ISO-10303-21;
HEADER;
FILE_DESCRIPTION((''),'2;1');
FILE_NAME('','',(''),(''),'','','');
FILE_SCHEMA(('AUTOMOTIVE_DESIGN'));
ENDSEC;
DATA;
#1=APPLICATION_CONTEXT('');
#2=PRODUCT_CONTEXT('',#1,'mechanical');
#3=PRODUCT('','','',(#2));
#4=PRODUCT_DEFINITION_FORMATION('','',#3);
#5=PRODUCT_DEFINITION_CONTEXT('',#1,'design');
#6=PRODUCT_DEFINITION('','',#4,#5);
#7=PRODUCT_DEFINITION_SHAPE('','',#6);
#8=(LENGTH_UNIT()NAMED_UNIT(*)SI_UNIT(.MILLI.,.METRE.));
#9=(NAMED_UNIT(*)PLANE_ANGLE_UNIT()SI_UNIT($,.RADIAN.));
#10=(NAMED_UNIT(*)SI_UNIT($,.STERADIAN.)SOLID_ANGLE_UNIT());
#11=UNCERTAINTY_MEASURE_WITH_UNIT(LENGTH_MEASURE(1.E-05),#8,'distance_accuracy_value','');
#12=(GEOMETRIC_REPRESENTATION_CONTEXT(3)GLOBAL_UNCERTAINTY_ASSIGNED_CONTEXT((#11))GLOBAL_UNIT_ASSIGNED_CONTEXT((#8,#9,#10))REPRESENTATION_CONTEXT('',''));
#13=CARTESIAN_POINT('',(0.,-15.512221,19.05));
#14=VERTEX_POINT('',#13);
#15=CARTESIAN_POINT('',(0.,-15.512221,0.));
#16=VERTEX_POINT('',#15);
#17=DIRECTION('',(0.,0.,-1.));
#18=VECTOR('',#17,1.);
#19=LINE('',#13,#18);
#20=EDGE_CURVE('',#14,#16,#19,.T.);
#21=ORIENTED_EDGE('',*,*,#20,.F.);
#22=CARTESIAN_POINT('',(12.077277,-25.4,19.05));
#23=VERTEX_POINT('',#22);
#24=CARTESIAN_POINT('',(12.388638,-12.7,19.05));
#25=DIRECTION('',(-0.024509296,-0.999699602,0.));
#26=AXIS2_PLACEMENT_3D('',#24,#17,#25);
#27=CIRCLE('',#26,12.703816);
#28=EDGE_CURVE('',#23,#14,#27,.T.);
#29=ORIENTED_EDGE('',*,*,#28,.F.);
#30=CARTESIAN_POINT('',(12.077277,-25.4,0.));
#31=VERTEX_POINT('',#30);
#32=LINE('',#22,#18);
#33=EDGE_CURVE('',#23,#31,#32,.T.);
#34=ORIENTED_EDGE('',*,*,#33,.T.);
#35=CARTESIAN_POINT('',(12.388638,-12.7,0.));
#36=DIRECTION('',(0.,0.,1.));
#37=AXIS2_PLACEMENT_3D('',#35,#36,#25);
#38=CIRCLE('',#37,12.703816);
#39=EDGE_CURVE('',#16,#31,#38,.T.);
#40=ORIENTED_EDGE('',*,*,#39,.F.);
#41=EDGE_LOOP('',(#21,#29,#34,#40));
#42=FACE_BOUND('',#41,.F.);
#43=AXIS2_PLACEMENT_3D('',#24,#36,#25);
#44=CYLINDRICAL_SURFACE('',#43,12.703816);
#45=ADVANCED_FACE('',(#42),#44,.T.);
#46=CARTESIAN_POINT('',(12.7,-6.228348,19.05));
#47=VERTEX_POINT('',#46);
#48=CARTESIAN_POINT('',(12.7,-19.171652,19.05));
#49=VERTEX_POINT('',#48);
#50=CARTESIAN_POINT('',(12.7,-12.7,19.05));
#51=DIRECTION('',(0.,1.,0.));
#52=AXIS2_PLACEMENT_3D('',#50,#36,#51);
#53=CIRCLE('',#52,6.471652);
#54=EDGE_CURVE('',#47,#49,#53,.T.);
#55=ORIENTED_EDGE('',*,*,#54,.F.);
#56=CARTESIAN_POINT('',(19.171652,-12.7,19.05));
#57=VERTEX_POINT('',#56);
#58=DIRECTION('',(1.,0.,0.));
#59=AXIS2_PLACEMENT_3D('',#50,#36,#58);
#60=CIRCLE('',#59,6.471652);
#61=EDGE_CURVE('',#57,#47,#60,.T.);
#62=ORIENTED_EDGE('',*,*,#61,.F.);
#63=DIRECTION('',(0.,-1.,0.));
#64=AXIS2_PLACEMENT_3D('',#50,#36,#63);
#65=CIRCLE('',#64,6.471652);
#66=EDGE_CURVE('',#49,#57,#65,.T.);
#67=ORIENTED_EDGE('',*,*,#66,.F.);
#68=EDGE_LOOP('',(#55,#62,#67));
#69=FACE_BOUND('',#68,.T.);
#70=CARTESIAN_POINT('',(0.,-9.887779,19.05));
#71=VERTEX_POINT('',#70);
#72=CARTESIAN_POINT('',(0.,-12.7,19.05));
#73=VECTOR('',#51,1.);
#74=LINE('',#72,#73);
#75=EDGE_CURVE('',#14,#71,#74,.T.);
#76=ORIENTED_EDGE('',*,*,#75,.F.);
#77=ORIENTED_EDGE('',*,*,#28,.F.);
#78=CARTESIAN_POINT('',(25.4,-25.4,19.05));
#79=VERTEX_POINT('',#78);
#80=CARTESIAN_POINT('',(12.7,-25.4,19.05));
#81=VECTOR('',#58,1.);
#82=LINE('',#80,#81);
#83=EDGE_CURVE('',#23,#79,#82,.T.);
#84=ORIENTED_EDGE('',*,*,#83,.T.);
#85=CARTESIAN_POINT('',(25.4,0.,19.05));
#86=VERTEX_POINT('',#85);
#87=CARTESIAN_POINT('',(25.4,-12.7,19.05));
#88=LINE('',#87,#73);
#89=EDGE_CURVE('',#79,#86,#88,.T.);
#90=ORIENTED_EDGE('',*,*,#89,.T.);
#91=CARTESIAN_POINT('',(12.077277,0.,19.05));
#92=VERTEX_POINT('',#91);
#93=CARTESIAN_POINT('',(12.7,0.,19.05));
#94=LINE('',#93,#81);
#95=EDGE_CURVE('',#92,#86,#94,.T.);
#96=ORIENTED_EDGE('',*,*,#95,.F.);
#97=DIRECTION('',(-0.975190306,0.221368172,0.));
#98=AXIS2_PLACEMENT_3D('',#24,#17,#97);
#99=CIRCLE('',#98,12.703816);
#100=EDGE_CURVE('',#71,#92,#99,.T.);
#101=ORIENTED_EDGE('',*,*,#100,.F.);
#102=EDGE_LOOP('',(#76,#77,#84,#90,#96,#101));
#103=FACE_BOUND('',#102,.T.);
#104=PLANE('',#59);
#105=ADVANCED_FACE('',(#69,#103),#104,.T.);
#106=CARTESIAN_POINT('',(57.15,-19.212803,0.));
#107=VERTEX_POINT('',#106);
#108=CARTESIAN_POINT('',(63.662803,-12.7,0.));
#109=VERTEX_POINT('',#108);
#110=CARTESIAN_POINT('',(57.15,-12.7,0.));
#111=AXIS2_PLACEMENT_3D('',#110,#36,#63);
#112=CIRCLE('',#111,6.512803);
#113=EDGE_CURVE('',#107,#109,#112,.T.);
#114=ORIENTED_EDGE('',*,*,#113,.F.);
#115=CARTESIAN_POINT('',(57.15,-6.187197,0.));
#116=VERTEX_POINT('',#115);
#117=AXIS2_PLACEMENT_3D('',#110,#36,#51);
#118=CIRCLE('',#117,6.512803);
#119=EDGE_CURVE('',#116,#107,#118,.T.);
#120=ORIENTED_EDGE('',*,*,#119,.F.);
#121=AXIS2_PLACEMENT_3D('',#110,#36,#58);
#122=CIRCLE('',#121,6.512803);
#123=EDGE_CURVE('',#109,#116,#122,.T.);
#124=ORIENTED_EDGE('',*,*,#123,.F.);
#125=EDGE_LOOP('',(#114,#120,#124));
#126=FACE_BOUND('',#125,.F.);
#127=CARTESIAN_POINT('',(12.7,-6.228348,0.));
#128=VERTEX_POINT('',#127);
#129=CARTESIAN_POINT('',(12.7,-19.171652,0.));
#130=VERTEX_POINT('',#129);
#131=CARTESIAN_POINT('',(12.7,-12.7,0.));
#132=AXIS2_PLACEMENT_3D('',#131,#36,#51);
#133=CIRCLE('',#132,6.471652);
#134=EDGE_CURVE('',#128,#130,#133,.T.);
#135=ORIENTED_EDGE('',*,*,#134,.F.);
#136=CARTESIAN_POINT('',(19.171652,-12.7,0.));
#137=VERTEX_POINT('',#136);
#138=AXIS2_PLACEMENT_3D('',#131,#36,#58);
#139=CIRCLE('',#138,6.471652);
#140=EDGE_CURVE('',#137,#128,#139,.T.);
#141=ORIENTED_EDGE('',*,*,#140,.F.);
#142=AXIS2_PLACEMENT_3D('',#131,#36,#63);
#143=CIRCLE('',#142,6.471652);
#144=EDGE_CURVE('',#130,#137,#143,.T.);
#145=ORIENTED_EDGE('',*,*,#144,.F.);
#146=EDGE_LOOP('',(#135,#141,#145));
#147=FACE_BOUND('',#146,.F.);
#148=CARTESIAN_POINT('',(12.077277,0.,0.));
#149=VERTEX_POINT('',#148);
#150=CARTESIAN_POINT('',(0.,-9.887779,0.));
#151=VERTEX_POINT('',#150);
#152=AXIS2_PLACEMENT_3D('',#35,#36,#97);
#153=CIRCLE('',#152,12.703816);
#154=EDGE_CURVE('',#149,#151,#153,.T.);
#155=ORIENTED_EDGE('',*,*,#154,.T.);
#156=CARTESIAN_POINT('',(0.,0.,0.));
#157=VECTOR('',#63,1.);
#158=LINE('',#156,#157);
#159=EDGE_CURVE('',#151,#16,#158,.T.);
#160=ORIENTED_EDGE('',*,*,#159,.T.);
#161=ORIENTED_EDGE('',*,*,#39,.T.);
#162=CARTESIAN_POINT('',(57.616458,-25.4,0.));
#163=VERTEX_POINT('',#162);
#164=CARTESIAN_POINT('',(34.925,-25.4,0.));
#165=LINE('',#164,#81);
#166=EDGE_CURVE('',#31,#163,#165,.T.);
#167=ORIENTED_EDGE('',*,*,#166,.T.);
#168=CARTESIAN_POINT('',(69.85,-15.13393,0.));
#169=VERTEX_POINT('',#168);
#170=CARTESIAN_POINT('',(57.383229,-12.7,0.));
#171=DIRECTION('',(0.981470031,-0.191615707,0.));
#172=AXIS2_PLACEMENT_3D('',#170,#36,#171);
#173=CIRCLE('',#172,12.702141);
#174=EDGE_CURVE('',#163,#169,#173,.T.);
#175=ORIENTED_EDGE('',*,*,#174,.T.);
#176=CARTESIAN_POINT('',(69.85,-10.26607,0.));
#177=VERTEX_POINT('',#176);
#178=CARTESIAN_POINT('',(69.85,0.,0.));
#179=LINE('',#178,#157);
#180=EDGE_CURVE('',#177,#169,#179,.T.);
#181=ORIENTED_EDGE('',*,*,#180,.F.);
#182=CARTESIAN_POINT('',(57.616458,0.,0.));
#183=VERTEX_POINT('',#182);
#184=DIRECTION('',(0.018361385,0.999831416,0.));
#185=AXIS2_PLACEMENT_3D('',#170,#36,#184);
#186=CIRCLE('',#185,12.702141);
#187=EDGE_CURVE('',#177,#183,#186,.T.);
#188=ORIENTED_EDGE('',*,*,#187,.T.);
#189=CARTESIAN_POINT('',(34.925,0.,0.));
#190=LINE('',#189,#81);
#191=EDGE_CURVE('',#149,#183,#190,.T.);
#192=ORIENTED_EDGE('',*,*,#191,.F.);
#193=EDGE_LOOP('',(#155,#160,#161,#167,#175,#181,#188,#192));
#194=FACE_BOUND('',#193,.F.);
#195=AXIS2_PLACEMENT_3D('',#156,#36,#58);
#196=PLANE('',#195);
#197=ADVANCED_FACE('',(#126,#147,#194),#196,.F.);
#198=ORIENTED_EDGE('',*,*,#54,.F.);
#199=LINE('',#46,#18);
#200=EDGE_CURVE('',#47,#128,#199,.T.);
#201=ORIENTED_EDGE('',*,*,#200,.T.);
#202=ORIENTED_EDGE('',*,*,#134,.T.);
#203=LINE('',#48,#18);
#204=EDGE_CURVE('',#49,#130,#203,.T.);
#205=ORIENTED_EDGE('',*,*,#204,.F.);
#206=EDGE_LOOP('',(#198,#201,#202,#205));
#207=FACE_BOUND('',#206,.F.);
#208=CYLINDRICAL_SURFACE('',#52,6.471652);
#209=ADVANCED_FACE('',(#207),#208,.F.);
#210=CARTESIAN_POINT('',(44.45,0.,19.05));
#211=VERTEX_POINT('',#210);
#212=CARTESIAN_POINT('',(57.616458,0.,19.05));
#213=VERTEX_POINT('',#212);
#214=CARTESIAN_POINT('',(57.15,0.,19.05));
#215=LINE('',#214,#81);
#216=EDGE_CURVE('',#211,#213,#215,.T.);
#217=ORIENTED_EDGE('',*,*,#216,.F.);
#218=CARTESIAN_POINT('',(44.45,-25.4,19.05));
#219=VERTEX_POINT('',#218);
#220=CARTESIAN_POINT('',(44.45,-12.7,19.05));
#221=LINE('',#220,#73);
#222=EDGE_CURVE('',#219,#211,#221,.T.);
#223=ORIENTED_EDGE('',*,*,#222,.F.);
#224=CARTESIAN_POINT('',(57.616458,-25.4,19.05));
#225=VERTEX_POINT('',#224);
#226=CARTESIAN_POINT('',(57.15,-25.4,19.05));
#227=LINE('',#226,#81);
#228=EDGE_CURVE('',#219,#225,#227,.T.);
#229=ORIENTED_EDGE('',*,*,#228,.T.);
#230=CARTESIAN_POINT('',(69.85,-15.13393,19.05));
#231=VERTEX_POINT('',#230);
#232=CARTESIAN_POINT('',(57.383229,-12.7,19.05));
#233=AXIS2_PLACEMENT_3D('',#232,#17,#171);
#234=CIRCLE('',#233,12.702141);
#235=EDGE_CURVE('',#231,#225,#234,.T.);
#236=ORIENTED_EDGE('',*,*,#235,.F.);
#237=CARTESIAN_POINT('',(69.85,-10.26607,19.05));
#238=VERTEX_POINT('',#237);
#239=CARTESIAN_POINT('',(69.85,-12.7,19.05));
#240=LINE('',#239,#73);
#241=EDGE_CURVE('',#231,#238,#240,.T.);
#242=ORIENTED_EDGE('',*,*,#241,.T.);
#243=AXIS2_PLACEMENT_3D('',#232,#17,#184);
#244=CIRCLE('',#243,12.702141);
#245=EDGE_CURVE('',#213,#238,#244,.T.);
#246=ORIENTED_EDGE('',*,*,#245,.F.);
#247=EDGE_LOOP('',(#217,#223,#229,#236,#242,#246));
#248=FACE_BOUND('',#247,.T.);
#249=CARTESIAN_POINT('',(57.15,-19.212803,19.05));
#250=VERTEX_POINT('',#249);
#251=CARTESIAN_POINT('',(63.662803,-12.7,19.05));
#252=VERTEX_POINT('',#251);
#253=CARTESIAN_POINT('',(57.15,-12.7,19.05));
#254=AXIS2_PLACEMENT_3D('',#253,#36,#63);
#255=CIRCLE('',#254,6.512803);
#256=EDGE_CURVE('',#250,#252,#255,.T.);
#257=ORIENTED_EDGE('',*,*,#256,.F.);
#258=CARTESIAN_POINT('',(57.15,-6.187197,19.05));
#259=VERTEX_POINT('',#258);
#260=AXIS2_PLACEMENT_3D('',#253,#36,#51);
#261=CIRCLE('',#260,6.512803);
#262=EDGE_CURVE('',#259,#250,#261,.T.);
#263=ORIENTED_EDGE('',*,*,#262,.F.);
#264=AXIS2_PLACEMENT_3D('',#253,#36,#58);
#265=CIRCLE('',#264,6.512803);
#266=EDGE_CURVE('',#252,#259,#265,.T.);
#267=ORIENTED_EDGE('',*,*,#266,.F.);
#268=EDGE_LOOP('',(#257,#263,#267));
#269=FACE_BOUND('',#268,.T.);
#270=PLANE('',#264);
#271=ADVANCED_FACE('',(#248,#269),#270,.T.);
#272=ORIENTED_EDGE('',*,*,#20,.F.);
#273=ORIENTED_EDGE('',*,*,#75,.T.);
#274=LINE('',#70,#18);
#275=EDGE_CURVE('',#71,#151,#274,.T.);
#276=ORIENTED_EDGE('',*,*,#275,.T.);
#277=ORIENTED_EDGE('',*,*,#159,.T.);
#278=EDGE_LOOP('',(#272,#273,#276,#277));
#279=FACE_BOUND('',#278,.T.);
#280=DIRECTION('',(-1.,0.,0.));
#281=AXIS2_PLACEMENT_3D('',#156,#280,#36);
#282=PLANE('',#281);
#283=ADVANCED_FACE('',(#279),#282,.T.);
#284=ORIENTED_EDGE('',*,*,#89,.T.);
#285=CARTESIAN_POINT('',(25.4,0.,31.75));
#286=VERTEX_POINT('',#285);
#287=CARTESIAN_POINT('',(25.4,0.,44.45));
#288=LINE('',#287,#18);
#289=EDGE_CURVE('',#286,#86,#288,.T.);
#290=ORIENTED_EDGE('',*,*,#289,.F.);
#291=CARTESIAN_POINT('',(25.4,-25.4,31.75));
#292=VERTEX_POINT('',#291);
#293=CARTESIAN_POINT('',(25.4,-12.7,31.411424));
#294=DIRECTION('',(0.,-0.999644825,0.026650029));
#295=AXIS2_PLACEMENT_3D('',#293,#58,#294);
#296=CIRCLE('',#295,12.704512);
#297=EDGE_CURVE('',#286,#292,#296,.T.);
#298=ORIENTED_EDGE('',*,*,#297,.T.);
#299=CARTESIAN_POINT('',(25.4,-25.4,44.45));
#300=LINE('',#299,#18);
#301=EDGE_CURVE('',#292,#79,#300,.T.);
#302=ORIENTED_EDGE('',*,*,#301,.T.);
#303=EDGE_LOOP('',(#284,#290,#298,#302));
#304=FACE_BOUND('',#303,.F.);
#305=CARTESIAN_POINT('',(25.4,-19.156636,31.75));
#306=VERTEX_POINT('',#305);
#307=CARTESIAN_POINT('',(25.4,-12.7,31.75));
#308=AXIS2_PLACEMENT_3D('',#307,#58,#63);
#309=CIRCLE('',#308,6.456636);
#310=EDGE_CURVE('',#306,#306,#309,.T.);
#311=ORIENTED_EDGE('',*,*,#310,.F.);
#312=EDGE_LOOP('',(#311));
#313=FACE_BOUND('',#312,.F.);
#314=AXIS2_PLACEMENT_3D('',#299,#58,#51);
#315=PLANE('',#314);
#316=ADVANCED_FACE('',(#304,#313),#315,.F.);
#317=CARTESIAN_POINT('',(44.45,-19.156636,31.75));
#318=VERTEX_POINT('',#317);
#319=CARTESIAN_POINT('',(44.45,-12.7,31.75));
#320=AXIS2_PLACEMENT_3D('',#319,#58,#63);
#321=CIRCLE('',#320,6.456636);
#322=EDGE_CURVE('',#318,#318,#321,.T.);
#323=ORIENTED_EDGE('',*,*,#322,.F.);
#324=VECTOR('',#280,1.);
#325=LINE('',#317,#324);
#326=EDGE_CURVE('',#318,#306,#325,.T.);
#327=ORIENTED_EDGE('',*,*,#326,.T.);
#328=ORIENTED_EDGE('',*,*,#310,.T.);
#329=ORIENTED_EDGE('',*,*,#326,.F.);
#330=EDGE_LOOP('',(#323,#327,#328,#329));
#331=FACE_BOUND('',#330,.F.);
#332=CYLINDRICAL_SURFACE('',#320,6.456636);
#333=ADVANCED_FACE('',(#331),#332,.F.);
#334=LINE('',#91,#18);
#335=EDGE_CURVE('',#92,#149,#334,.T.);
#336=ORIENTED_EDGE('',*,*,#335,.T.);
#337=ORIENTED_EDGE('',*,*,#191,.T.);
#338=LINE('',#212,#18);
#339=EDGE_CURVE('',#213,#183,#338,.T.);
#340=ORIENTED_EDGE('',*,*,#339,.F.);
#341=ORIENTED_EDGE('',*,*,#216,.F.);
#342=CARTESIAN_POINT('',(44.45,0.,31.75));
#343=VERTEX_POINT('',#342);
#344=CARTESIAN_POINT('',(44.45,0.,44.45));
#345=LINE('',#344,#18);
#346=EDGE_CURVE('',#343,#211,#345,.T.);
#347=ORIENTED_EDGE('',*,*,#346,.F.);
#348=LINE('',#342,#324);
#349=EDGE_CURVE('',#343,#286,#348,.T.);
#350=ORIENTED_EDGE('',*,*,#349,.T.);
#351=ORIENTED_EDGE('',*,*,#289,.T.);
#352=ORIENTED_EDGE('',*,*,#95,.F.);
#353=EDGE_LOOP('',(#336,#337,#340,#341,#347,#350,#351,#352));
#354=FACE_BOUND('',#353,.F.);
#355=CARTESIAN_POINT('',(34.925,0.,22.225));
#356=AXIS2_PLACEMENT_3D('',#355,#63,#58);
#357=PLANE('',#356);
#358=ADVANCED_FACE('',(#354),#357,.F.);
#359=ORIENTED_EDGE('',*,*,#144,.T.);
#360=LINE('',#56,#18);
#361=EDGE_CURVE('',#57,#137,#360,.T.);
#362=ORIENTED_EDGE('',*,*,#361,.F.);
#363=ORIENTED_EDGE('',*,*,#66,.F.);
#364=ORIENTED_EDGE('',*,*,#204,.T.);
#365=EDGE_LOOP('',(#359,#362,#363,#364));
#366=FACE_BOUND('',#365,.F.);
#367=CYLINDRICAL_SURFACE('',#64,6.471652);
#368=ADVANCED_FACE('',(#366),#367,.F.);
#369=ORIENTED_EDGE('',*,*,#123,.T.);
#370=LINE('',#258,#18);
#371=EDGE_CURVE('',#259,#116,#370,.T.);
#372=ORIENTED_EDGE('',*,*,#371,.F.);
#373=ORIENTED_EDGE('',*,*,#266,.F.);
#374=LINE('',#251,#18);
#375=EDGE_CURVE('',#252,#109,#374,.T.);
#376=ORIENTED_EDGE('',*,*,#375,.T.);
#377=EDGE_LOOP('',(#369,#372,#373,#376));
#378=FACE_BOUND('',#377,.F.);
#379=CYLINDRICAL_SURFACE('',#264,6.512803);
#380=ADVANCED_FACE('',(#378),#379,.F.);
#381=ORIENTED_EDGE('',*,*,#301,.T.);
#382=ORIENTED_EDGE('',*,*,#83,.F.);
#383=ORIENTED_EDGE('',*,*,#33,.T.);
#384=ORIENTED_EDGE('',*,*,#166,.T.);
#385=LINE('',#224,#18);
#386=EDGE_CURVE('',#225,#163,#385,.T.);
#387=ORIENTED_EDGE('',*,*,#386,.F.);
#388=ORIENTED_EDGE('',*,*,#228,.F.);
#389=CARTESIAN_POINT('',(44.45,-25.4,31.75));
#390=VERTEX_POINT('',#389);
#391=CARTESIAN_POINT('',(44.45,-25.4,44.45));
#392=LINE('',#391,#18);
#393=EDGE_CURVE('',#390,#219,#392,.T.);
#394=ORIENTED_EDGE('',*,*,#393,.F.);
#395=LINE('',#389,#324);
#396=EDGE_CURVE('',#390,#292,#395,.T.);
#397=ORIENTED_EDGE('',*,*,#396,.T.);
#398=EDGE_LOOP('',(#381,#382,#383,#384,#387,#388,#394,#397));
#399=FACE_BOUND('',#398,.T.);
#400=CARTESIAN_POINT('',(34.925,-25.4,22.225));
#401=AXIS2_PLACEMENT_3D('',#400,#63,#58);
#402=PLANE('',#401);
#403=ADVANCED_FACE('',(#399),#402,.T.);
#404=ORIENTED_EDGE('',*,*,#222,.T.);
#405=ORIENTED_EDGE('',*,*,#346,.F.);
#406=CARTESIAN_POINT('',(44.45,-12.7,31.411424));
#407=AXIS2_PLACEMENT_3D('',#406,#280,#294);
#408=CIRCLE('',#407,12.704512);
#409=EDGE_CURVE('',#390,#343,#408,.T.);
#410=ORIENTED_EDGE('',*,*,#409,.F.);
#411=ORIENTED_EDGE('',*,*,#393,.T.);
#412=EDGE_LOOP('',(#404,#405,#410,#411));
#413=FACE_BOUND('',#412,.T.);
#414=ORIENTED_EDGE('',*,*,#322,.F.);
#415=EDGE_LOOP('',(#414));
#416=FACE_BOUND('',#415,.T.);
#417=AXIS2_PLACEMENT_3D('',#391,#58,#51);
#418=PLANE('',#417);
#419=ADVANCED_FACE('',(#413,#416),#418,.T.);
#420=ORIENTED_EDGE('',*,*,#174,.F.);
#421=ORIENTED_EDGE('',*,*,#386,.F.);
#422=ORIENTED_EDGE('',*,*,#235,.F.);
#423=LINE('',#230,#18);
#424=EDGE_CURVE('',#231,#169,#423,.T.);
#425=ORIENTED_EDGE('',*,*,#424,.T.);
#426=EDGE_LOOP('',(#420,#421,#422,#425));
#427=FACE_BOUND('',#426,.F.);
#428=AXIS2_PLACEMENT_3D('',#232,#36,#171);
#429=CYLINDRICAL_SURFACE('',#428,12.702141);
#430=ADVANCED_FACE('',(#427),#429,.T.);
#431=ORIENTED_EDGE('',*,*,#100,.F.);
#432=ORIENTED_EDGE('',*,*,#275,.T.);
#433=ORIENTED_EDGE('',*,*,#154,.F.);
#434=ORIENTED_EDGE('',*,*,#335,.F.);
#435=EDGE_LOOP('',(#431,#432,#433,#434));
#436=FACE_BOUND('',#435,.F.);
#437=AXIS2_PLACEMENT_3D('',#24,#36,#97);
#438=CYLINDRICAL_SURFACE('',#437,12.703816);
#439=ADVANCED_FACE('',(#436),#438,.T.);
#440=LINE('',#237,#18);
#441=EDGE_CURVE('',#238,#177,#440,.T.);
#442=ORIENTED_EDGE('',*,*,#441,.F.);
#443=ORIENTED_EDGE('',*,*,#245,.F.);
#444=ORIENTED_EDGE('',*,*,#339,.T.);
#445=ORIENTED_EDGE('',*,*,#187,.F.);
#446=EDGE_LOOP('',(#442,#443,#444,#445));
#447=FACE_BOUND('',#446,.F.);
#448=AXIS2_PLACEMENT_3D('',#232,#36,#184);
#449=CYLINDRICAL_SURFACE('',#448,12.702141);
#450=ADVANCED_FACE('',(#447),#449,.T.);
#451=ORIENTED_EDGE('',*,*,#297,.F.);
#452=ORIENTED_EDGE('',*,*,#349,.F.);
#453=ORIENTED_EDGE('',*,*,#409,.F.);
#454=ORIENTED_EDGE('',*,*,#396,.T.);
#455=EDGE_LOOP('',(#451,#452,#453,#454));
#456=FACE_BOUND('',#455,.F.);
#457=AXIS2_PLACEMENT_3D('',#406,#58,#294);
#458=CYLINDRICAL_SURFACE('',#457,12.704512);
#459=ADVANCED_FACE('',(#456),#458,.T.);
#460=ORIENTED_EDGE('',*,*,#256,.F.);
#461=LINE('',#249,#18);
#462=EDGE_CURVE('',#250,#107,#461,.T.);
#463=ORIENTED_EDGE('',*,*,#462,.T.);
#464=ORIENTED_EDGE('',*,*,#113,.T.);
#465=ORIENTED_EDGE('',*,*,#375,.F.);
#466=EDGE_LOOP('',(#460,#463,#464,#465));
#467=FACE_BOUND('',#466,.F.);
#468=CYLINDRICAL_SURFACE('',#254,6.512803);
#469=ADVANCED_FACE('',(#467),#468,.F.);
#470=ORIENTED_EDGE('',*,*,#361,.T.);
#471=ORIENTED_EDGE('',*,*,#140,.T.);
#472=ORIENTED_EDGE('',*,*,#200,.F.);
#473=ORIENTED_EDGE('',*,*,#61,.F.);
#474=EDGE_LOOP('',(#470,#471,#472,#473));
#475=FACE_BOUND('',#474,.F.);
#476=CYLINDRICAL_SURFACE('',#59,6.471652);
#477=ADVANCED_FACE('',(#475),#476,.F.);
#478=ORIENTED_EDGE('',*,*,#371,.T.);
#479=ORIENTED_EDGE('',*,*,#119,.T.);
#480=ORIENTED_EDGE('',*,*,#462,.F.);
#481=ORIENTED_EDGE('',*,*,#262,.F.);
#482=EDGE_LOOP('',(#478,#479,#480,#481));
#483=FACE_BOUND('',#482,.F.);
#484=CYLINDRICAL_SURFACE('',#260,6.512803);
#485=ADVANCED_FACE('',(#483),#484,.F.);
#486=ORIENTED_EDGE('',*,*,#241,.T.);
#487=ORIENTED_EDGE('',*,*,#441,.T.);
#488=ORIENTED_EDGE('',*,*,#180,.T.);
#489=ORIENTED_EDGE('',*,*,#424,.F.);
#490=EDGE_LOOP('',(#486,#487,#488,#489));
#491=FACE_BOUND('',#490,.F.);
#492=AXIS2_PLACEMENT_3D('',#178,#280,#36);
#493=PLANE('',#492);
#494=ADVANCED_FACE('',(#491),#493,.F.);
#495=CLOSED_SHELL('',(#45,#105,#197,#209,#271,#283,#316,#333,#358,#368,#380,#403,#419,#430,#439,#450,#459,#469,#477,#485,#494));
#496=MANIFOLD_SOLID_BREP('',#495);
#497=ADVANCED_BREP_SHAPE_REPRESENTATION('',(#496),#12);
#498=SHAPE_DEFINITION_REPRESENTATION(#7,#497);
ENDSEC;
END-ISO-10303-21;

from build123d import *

# Parameters (mm, degrees)
F0_W     = 69.85
F0_H     = 44.45
F1_DEPTH = 25.4
F2_W     = 25.4
F2_H     = 25.4
F3_DEPTH = 25.4
F5_DEPTH = 25.4
F7_DEPTH = 25.4
F9_DEPTH = 44.451


with BuildPart() as f1:
    # F0 (on Front) → F1 (new body)
    with BuildSketch(Plane.XZ):
        with Locations((34.925, 22.225)):
            Rectangle(F0_W, F0_H)
    extrude(amount=F1_DEPTH)

    # F2 (on face) → F3 (cut)
    with BuildSketch(Plane.XY.offset(44.45)):
        with Locations((12.7, -12.7)):
            Rectangle(F2_W, F2_H)
        with Locations((57.15, -12.7)):
            Rectangle(F2_W, F2_H)
    extrude(amount=-F3_DEPTH, mode=Mode.SUBTRACT)

    # F4 (on face) → F5 (cut)
    with BuildSketch(Plane.XY.offset(19.05)):
        with BuildLine():
            ThreePointArc((19.1716522932, -12.7), (17.276149222, -8.123850778), (12.7, -6.2283477068))
            Line((12.7, -6.2283477068), (12.7, -19.1716522932))
            ThreePointArc((12.7, -19.1716522932), (17.276149222, -17.276149222), (19.1716522932, -12.7))
        make_face()
        with BuildLine():
            Line((12.7, -19.1716522932), (12.7, -6.2283477068))
            ThreePointArc((12.7, -6.2283477068), (6.2283477068, -12.7), (12.7, -19.1716522932))
        make_face()
        with BuildLine():
            ThreePointArc((0, -9.8877794327), (4.3409961707, -2.8703305999), (12.0772768095, 0))
            Line((12.0772768095, 0), (0, 0))
            Line((0, 0), (0, -9.8877794327))
        make_face()
        with BuildLine():
            ThreePointArc((12.0772768095, -25.4), (4.3409961707, -22.5296694001), (0, -15.5122205673))
            Line((0, -15.5122205673), (0, -25.4))
            Line((0, -25.4), (12.0772768095, -25.4))
        make_face()
    extrude(amount=-F5_DEPTH, mode=Mode.SUBTRACT)

    # F6 (on face) → F7 (cut)
    with BuildSketch(Plane.XY.offset(19.05)):
        with BuildLine():
            Line((57.15, -19.2128030993), (57.15, -6.1871969007))
            ThreePointArc((57.15, -6.1871969007), (50.6371969007, -12.7), (57.15, -19.2128030993))
        make_face()
        with BuildLine():
            ThreePointArc((63.6628030993, -12.7), (61.7552472361, -8.0947527639), (57.15, -6.1871969007))
            Line((57.15, -6.1871969007), (57.15, -19.2128030993))
            ThreePointArc((57.15, -19.2128030993), (61.7552472361, -17.3052472361), (63.6628030993, -12.7))
        make_face()
        with BuildLine():
            Line((69.85, 0), (57.6164578164, 0))
            ThreePointArc((57.6164578164, 0), (65.5484324783, -2.9699513679), (69.85, -10.2660702007))
            Line((69.85, -10.2660702007), (69.85, 0))
        make_face()
        with BuildLine():
            Line((69.85, -25.4), (69.85, -15.1339297993))
            ThreePointArc((69.85, -15.1339297993), (65.5484324783, -22.4300486321), (57.6164578164, -25.4))
            Line((57.6164578164, -25.4), (69.85, -25.4))
        make_face()
    extrude(amount=-F7_DEPTH, mode=Mode.SUBTRACT)

    # F8 (on face) → F9 (cut, through all)
    with BuildSketch(Plane.YZ.offset(44.45)):
        with BuildLine():
            Line((-19.156636307, 31.75), (-6.243363693, 31.75))
            ThreePointArc((-6.243363693, 31.75), (-12.7, 38.206636307), (-19.156636307, 31.75))
        make_face()
        with BuildLine():
            ThreePointArc((-19.156636307, 31.75), (-12.7, 25.293363693), (-6.243363693, 31.75))
            Line((-6.243363693, 31.75), (-19.156636307, 31.75))
        make_face()
        with BuildLine():
            ThreePointArc((-25.4, 31.75), (-12.7, 44.1159367091), (0, 31.75))
            Line((0, 31.75), (0, 44.45))
            Line((0, 44.45), (-25.4, 44.45))
            Line((-25.4, 44.45), (-25.4, 31.75))
        make_face()
    extrude(amount=-F9_DEPTH, mode=Mode.SUBTRACT)


solid = f1.part
